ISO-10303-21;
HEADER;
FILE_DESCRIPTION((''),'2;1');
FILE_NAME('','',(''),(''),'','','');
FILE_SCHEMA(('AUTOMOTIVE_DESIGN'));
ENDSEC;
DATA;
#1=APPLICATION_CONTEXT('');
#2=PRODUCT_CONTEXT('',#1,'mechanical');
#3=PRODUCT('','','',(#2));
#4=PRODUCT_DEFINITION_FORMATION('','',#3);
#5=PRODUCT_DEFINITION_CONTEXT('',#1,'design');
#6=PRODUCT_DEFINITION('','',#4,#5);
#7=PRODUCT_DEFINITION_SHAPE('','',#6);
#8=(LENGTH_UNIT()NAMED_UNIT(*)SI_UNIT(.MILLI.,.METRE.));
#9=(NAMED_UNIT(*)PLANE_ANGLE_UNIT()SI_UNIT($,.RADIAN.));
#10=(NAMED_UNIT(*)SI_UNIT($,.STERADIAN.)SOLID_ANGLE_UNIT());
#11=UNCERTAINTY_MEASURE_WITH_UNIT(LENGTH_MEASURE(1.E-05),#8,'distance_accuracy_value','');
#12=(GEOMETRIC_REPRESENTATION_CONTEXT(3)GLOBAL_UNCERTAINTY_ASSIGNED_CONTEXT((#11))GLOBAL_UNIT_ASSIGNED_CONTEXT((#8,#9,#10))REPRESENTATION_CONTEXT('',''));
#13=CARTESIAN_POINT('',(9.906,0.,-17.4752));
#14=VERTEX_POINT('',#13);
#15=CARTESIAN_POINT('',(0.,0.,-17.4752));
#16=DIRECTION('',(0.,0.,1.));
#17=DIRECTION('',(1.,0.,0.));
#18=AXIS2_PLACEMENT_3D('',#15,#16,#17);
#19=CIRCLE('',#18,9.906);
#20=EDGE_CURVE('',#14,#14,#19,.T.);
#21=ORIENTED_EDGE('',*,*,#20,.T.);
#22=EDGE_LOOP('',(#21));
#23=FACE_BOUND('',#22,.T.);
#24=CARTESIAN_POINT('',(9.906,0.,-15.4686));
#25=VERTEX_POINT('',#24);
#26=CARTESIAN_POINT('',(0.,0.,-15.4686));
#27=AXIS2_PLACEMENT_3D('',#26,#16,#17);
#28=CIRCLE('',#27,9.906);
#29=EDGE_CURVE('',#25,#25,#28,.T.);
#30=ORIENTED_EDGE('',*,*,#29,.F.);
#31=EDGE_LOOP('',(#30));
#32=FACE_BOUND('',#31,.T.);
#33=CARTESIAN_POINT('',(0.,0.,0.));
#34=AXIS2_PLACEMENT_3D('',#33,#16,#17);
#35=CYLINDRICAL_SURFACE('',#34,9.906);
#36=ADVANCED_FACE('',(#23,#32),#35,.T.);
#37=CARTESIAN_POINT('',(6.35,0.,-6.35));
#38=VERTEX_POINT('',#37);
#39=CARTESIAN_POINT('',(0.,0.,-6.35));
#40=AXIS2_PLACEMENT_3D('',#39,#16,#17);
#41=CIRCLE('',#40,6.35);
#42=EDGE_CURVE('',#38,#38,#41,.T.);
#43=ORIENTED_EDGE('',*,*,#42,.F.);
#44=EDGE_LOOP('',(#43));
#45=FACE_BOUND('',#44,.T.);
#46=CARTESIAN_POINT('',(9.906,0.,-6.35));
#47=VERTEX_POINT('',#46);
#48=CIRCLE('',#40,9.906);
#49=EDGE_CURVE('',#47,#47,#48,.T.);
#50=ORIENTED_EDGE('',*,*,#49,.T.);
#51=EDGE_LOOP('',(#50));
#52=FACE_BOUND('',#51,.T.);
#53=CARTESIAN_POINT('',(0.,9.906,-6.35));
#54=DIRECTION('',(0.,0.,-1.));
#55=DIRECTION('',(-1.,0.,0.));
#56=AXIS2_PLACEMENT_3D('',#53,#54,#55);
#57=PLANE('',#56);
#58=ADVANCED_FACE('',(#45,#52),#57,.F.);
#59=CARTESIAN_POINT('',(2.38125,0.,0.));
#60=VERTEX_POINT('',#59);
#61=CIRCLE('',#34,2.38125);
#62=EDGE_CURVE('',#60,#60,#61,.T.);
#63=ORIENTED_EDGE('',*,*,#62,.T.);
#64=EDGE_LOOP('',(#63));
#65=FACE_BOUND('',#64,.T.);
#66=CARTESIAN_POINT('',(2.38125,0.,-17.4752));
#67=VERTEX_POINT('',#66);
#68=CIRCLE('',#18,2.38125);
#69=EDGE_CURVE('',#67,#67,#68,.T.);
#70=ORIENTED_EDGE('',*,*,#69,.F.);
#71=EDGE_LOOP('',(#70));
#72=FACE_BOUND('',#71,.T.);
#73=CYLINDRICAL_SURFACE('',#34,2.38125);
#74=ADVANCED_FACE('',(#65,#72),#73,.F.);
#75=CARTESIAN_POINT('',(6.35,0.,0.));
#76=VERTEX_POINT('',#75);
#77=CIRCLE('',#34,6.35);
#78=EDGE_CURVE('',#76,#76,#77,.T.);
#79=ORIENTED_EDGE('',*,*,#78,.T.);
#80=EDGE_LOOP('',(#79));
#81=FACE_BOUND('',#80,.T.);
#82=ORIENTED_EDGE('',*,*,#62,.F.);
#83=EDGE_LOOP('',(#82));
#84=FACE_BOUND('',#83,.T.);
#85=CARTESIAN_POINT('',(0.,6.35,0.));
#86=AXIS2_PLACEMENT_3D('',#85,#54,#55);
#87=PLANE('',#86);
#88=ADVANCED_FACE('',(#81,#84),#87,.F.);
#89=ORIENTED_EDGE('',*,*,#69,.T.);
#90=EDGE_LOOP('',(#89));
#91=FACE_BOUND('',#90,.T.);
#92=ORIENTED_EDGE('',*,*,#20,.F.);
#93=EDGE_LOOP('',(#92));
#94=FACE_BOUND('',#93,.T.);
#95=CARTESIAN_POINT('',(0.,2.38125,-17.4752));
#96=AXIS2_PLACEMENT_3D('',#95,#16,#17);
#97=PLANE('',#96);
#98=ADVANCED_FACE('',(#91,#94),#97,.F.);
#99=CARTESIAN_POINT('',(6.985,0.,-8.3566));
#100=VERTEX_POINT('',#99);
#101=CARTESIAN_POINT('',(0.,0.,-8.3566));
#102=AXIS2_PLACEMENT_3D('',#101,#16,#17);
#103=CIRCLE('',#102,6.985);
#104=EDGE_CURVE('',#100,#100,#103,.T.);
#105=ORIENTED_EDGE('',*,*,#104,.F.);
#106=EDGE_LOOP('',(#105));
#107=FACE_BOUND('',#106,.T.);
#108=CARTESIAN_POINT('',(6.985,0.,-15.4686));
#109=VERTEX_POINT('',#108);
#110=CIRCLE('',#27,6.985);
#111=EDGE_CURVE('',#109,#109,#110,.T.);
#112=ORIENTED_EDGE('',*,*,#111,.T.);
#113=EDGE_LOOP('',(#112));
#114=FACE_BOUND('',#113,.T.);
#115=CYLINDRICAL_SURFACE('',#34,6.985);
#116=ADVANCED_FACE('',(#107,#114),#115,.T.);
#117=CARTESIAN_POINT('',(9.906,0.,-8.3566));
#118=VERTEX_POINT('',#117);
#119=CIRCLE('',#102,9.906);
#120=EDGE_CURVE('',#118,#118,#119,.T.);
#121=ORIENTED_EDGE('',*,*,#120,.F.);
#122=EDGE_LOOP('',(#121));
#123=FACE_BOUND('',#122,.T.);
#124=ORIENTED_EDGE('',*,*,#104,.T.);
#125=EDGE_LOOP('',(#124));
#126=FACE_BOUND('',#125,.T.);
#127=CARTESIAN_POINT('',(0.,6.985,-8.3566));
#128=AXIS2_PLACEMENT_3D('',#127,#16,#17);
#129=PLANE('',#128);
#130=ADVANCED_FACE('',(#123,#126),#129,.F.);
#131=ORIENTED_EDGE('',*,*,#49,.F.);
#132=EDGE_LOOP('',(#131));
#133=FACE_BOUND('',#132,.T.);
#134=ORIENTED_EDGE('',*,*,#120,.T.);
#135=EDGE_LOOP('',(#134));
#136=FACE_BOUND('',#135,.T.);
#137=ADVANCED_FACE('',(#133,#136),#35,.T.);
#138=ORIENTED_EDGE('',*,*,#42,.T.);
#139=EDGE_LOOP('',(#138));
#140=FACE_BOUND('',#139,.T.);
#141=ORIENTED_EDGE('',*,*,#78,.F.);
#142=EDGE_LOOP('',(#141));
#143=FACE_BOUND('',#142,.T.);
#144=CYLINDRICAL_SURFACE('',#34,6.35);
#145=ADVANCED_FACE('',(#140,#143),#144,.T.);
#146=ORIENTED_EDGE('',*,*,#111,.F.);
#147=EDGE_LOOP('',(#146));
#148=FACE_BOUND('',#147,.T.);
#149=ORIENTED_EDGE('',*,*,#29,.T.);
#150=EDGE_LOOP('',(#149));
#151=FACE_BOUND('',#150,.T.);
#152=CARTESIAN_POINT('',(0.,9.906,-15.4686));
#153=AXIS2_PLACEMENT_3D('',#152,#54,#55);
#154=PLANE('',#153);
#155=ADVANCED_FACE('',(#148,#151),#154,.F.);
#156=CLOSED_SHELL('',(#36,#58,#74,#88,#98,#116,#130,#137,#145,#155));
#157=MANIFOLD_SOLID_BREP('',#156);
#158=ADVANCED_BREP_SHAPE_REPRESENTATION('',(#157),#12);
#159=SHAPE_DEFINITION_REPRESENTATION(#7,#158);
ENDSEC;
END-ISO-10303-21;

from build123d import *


with BuildPart() as part:
    # Sketch1 → Revolve1 (revolve)
    with BuildSketch(Plane(origin=(0, 0, 0), x_dir=(0, 0, -1), z_dir=(1, 0, 0)), mode=Mode.PRIVATE) as revolve1_sk:
        Polygon((0, 2.38125), (17.4752, 2.38125), (17.4752, 9.906), (15.4686, 9.906), (15.4686, 6.985), (8.3566, 6.985), (8.3566, 9.906), (6.35, 9.906), (6.35, 6.35), (0, 6.35), align=None)
    revolve(revolve1_sk.sketch.rotate(Axis((0, 0, 0), (0, 0, -1)), 90), axis=Axis((0, 0, 0), (0, 0, -1)))


solid = part.part
